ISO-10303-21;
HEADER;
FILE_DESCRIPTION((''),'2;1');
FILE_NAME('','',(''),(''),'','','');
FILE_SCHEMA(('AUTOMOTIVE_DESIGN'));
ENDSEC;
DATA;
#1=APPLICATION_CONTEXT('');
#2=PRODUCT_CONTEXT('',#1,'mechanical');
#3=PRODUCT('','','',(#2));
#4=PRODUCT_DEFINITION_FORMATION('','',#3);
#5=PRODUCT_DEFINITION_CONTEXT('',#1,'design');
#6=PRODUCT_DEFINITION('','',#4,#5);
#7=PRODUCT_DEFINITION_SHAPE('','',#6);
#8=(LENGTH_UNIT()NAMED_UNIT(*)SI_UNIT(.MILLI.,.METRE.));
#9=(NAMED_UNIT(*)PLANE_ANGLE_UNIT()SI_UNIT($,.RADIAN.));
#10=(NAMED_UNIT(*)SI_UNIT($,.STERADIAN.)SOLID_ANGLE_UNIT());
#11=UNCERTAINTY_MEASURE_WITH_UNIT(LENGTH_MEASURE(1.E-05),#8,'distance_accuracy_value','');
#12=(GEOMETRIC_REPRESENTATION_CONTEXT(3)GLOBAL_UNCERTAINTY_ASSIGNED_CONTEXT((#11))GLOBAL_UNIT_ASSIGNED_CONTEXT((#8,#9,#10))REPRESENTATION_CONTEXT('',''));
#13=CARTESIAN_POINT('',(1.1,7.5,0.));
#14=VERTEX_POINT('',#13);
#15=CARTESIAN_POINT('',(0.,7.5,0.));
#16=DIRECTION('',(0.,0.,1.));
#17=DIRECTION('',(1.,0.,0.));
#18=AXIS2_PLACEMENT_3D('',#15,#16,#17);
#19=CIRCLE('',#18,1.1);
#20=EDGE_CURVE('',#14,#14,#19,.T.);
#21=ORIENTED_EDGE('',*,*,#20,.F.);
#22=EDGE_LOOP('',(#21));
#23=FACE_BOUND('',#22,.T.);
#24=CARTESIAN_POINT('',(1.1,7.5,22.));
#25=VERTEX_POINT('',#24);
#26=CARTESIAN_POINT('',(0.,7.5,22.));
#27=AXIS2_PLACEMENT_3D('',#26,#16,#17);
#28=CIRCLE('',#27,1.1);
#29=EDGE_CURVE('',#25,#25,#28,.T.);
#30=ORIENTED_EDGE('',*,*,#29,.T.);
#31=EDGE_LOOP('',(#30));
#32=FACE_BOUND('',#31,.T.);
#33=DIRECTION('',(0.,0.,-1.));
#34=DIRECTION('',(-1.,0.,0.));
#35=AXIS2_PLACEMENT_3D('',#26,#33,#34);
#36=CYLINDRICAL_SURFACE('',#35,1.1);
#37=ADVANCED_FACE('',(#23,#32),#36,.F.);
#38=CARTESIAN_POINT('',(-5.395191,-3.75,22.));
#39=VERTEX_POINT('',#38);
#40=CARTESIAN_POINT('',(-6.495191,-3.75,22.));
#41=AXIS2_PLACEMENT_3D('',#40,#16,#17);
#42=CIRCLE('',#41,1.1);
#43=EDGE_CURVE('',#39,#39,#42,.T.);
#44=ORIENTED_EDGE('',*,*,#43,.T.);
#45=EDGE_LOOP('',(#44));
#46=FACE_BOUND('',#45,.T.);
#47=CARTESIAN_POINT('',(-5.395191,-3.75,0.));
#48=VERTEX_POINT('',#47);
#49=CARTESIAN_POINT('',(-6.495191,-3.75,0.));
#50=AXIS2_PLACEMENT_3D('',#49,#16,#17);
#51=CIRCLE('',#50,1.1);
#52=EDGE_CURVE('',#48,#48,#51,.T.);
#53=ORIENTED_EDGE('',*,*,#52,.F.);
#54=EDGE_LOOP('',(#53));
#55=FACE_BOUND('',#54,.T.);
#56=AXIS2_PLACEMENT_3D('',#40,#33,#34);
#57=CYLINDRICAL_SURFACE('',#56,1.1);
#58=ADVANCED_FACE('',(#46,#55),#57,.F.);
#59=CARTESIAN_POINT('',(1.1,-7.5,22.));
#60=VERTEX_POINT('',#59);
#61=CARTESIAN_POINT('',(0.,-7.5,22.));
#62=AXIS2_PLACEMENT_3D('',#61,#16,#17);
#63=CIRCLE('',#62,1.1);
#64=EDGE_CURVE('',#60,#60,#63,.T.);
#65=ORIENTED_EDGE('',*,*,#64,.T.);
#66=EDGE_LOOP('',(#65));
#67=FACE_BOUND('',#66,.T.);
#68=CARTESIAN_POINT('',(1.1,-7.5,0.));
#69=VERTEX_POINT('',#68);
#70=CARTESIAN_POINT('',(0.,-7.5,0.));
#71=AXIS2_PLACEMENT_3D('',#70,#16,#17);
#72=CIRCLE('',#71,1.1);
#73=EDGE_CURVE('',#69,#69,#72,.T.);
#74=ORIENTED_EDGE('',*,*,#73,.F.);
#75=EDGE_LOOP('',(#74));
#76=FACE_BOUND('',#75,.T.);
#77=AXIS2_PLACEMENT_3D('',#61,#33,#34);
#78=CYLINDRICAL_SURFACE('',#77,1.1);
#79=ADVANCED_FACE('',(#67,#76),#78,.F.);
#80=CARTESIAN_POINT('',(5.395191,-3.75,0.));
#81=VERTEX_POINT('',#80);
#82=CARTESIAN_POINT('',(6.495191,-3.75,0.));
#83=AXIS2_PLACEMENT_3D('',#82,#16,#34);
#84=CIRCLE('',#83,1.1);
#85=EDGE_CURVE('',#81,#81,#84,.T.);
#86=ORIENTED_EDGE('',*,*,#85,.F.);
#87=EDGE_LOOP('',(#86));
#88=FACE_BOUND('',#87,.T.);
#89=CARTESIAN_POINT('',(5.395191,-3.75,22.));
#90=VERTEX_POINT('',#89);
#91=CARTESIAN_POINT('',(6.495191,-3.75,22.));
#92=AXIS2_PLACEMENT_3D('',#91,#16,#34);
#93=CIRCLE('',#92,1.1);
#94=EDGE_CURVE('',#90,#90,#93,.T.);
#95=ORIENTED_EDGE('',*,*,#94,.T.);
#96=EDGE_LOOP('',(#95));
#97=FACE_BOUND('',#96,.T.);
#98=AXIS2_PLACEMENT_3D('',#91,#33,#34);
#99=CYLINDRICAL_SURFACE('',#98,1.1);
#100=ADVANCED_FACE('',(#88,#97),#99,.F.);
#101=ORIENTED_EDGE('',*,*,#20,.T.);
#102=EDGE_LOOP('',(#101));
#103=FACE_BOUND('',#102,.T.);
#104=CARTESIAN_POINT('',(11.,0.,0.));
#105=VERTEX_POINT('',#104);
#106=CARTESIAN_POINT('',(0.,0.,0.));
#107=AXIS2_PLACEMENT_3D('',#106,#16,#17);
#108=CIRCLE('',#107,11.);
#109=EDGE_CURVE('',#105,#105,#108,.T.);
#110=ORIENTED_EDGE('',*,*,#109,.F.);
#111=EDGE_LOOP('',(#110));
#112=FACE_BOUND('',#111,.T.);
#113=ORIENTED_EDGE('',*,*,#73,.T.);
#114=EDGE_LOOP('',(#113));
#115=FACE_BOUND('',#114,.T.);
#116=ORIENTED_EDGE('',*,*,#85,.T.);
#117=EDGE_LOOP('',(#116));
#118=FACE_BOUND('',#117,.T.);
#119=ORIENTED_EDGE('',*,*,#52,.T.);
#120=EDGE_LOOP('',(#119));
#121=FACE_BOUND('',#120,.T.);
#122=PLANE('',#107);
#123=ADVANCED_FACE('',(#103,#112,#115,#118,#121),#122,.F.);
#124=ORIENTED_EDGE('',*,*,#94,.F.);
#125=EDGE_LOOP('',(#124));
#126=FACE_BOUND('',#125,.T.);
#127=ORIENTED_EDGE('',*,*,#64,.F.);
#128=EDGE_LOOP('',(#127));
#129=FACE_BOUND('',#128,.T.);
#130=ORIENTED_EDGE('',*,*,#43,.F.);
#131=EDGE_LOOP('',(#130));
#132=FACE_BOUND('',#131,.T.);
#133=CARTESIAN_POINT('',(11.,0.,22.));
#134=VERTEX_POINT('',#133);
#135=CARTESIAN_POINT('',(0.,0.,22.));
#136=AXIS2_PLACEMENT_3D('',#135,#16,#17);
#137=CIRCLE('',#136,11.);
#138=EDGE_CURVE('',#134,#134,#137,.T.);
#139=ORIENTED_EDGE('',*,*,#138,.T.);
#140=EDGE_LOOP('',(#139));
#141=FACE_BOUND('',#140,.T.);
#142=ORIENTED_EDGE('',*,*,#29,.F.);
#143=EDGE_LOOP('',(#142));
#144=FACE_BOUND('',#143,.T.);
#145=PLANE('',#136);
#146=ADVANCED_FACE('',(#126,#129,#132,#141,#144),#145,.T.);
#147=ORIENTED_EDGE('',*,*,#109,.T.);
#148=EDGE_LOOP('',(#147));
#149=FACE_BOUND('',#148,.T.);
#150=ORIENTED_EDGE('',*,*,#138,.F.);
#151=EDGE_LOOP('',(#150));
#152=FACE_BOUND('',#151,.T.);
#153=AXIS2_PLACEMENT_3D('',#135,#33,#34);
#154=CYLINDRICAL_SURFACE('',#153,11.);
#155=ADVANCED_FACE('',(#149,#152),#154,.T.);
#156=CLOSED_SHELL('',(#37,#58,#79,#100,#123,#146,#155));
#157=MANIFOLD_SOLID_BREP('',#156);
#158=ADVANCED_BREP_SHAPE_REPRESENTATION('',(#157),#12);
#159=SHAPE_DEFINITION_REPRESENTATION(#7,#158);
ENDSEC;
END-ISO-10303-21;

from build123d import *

# Parameters (mm, degrees)
SKETCH_1_R      = 11
SKETCH_1_R_2    = 1.1
EXTRUDE_1_DEPTH = 22


with BuildPart() as part:
    # 草图1 → 凸台-拉伸1 (new body)
    with BuildSketch(Plane.XY):
        Circle(SKETCH_1_R)
        with Locations((0, 7.5)):
            Circle(SKETCH_1_R_2, mode=Mode.SUBTRACT)
        with Locations((0, -7.5)):
            Circle(SKETCH_1_R_2, mode=Mode.SUBTRACT)
        with Locations((-6.495190528, -3.75)):
            Circle(SKETCH_1_R_2, mode=Mode.SUBTRACT)
        with Locations(Location((6.495190528, -3.75, 0), (0, 0, 180))):
            Circle(SKETCH_1_R_2, mode=Mode.SUBTRACT)
    extrude(amount=EXTRUDE_1_DEPTH)


solid = part.part
